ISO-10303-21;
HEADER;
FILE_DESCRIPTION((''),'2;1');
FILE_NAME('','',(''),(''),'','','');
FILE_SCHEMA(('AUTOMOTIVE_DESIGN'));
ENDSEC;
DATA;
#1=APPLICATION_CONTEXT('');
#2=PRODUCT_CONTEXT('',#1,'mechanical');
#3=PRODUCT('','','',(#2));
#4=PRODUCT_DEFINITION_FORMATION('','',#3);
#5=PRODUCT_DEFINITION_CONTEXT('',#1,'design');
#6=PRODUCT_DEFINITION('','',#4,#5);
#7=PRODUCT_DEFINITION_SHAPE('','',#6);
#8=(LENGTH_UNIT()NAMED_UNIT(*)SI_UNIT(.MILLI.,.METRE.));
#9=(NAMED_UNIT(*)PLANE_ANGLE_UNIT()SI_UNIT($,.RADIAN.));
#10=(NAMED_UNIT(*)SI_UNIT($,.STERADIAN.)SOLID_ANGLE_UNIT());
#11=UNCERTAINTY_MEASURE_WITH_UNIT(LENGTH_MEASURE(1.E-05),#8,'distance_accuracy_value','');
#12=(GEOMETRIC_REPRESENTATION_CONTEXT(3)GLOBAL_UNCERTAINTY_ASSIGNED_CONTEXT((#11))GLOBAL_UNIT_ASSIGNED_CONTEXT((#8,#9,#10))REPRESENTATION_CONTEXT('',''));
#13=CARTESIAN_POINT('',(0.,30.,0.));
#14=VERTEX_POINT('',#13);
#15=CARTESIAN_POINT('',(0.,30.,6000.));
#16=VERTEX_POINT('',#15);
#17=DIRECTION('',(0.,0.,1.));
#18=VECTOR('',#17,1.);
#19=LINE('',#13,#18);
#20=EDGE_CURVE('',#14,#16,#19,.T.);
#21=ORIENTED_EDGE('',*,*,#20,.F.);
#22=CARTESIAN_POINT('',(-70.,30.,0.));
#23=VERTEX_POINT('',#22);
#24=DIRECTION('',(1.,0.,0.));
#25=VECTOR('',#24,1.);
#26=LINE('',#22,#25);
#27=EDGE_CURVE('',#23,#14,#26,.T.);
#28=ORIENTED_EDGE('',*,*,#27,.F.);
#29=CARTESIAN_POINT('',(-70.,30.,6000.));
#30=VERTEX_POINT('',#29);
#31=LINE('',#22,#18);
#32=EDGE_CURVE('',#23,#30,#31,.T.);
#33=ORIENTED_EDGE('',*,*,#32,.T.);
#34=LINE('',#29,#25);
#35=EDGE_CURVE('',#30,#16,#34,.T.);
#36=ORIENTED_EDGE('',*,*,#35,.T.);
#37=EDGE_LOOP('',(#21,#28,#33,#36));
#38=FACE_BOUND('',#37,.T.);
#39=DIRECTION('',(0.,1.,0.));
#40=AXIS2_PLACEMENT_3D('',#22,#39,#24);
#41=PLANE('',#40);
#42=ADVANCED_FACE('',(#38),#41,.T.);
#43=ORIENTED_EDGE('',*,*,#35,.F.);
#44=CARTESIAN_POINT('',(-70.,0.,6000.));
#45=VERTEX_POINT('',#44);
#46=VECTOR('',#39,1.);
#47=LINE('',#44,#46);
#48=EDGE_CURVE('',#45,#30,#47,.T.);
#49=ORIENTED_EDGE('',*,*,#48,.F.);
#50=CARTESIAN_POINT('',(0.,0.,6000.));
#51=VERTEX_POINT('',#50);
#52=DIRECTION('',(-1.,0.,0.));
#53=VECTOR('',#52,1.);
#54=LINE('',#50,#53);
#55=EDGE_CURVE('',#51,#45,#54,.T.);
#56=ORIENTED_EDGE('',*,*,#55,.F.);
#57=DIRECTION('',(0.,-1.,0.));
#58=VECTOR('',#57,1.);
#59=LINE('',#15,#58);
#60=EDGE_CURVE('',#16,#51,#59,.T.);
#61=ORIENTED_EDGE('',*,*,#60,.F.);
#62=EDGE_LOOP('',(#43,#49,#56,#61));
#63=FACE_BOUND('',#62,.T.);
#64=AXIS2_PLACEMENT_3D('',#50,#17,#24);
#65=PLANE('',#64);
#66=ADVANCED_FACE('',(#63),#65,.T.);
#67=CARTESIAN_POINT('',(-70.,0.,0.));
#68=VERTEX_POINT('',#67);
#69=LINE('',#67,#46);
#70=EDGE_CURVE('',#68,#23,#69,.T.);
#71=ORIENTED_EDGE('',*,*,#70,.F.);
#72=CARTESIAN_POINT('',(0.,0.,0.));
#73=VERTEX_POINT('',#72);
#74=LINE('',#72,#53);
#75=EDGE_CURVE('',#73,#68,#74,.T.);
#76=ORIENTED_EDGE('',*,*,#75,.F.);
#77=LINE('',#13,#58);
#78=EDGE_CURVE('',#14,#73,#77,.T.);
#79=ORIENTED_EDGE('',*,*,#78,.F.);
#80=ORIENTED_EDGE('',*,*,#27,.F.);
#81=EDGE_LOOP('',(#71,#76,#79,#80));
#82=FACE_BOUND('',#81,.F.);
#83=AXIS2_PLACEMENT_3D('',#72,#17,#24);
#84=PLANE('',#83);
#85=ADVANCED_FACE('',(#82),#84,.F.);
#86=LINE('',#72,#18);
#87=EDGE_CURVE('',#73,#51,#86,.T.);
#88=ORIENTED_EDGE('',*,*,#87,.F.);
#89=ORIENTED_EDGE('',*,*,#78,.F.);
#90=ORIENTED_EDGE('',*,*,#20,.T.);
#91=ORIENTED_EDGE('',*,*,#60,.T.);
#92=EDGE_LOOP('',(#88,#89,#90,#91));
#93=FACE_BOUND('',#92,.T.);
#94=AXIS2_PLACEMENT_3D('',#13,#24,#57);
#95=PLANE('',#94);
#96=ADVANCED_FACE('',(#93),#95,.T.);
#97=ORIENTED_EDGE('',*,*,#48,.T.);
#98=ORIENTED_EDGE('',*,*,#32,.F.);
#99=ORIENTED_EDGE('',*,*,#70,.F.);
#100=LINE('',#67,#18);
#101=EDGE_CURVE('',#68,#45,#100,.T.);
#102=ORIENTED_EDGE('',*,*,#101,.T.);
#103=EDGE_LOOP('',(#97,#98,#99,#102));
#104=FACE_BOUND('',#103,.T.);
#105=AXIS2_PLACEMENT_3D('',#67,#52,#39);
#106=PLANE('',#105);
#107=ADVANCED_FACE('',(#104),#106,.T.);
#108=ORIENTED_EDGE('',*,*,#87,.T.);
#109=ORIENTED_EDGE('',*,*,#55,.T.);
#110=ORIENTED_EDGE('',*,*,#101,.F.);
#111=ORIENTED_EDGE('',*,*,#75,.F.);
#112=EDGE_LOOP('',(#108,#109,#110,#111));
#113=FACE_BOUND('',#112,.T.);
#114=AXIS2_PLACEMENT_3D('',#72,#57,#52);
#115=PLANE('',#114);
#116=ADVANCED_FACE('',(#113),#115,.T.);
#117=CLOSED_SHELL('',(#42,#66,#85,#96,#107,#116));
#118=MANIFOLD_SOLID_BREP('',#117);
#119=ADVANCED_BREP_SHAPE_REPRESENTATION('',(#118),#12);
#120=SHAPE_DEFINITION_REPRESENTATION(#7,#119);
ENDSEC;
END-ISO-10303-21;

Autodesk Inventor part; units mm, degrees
ref_plane "YZ Plane" through (0, 0, 0) normal (1, 0, 0) x (0, 1, 0)
ref_plane "XZ Plane" through (0, 0, 0) normal (0, 1, 0) x (-1, 0, 0)
ref_plane "XY Plane" through (0, 0, 0) normal (0, 0, 1) x (1, 0, 0)
sketch "Sketch1" plane through (0, 0, 0) normal (0, 0, 1) x (1, 0, 0)
  line L0 (0, 0) -> (-70, 0)
  line L1 (-70, 0) -> (-70, 30)
  line L2 (-70, 30) -> (0, 30)
  line L3 (0, 30) -> (0, 0)
  dimension "d0" = 70
  dimension "d1" = 30
extrude "Extrusion1" add sketch "Sketch1" along normal blind 6000
properties part number "Lec30x70" material "Gold"
